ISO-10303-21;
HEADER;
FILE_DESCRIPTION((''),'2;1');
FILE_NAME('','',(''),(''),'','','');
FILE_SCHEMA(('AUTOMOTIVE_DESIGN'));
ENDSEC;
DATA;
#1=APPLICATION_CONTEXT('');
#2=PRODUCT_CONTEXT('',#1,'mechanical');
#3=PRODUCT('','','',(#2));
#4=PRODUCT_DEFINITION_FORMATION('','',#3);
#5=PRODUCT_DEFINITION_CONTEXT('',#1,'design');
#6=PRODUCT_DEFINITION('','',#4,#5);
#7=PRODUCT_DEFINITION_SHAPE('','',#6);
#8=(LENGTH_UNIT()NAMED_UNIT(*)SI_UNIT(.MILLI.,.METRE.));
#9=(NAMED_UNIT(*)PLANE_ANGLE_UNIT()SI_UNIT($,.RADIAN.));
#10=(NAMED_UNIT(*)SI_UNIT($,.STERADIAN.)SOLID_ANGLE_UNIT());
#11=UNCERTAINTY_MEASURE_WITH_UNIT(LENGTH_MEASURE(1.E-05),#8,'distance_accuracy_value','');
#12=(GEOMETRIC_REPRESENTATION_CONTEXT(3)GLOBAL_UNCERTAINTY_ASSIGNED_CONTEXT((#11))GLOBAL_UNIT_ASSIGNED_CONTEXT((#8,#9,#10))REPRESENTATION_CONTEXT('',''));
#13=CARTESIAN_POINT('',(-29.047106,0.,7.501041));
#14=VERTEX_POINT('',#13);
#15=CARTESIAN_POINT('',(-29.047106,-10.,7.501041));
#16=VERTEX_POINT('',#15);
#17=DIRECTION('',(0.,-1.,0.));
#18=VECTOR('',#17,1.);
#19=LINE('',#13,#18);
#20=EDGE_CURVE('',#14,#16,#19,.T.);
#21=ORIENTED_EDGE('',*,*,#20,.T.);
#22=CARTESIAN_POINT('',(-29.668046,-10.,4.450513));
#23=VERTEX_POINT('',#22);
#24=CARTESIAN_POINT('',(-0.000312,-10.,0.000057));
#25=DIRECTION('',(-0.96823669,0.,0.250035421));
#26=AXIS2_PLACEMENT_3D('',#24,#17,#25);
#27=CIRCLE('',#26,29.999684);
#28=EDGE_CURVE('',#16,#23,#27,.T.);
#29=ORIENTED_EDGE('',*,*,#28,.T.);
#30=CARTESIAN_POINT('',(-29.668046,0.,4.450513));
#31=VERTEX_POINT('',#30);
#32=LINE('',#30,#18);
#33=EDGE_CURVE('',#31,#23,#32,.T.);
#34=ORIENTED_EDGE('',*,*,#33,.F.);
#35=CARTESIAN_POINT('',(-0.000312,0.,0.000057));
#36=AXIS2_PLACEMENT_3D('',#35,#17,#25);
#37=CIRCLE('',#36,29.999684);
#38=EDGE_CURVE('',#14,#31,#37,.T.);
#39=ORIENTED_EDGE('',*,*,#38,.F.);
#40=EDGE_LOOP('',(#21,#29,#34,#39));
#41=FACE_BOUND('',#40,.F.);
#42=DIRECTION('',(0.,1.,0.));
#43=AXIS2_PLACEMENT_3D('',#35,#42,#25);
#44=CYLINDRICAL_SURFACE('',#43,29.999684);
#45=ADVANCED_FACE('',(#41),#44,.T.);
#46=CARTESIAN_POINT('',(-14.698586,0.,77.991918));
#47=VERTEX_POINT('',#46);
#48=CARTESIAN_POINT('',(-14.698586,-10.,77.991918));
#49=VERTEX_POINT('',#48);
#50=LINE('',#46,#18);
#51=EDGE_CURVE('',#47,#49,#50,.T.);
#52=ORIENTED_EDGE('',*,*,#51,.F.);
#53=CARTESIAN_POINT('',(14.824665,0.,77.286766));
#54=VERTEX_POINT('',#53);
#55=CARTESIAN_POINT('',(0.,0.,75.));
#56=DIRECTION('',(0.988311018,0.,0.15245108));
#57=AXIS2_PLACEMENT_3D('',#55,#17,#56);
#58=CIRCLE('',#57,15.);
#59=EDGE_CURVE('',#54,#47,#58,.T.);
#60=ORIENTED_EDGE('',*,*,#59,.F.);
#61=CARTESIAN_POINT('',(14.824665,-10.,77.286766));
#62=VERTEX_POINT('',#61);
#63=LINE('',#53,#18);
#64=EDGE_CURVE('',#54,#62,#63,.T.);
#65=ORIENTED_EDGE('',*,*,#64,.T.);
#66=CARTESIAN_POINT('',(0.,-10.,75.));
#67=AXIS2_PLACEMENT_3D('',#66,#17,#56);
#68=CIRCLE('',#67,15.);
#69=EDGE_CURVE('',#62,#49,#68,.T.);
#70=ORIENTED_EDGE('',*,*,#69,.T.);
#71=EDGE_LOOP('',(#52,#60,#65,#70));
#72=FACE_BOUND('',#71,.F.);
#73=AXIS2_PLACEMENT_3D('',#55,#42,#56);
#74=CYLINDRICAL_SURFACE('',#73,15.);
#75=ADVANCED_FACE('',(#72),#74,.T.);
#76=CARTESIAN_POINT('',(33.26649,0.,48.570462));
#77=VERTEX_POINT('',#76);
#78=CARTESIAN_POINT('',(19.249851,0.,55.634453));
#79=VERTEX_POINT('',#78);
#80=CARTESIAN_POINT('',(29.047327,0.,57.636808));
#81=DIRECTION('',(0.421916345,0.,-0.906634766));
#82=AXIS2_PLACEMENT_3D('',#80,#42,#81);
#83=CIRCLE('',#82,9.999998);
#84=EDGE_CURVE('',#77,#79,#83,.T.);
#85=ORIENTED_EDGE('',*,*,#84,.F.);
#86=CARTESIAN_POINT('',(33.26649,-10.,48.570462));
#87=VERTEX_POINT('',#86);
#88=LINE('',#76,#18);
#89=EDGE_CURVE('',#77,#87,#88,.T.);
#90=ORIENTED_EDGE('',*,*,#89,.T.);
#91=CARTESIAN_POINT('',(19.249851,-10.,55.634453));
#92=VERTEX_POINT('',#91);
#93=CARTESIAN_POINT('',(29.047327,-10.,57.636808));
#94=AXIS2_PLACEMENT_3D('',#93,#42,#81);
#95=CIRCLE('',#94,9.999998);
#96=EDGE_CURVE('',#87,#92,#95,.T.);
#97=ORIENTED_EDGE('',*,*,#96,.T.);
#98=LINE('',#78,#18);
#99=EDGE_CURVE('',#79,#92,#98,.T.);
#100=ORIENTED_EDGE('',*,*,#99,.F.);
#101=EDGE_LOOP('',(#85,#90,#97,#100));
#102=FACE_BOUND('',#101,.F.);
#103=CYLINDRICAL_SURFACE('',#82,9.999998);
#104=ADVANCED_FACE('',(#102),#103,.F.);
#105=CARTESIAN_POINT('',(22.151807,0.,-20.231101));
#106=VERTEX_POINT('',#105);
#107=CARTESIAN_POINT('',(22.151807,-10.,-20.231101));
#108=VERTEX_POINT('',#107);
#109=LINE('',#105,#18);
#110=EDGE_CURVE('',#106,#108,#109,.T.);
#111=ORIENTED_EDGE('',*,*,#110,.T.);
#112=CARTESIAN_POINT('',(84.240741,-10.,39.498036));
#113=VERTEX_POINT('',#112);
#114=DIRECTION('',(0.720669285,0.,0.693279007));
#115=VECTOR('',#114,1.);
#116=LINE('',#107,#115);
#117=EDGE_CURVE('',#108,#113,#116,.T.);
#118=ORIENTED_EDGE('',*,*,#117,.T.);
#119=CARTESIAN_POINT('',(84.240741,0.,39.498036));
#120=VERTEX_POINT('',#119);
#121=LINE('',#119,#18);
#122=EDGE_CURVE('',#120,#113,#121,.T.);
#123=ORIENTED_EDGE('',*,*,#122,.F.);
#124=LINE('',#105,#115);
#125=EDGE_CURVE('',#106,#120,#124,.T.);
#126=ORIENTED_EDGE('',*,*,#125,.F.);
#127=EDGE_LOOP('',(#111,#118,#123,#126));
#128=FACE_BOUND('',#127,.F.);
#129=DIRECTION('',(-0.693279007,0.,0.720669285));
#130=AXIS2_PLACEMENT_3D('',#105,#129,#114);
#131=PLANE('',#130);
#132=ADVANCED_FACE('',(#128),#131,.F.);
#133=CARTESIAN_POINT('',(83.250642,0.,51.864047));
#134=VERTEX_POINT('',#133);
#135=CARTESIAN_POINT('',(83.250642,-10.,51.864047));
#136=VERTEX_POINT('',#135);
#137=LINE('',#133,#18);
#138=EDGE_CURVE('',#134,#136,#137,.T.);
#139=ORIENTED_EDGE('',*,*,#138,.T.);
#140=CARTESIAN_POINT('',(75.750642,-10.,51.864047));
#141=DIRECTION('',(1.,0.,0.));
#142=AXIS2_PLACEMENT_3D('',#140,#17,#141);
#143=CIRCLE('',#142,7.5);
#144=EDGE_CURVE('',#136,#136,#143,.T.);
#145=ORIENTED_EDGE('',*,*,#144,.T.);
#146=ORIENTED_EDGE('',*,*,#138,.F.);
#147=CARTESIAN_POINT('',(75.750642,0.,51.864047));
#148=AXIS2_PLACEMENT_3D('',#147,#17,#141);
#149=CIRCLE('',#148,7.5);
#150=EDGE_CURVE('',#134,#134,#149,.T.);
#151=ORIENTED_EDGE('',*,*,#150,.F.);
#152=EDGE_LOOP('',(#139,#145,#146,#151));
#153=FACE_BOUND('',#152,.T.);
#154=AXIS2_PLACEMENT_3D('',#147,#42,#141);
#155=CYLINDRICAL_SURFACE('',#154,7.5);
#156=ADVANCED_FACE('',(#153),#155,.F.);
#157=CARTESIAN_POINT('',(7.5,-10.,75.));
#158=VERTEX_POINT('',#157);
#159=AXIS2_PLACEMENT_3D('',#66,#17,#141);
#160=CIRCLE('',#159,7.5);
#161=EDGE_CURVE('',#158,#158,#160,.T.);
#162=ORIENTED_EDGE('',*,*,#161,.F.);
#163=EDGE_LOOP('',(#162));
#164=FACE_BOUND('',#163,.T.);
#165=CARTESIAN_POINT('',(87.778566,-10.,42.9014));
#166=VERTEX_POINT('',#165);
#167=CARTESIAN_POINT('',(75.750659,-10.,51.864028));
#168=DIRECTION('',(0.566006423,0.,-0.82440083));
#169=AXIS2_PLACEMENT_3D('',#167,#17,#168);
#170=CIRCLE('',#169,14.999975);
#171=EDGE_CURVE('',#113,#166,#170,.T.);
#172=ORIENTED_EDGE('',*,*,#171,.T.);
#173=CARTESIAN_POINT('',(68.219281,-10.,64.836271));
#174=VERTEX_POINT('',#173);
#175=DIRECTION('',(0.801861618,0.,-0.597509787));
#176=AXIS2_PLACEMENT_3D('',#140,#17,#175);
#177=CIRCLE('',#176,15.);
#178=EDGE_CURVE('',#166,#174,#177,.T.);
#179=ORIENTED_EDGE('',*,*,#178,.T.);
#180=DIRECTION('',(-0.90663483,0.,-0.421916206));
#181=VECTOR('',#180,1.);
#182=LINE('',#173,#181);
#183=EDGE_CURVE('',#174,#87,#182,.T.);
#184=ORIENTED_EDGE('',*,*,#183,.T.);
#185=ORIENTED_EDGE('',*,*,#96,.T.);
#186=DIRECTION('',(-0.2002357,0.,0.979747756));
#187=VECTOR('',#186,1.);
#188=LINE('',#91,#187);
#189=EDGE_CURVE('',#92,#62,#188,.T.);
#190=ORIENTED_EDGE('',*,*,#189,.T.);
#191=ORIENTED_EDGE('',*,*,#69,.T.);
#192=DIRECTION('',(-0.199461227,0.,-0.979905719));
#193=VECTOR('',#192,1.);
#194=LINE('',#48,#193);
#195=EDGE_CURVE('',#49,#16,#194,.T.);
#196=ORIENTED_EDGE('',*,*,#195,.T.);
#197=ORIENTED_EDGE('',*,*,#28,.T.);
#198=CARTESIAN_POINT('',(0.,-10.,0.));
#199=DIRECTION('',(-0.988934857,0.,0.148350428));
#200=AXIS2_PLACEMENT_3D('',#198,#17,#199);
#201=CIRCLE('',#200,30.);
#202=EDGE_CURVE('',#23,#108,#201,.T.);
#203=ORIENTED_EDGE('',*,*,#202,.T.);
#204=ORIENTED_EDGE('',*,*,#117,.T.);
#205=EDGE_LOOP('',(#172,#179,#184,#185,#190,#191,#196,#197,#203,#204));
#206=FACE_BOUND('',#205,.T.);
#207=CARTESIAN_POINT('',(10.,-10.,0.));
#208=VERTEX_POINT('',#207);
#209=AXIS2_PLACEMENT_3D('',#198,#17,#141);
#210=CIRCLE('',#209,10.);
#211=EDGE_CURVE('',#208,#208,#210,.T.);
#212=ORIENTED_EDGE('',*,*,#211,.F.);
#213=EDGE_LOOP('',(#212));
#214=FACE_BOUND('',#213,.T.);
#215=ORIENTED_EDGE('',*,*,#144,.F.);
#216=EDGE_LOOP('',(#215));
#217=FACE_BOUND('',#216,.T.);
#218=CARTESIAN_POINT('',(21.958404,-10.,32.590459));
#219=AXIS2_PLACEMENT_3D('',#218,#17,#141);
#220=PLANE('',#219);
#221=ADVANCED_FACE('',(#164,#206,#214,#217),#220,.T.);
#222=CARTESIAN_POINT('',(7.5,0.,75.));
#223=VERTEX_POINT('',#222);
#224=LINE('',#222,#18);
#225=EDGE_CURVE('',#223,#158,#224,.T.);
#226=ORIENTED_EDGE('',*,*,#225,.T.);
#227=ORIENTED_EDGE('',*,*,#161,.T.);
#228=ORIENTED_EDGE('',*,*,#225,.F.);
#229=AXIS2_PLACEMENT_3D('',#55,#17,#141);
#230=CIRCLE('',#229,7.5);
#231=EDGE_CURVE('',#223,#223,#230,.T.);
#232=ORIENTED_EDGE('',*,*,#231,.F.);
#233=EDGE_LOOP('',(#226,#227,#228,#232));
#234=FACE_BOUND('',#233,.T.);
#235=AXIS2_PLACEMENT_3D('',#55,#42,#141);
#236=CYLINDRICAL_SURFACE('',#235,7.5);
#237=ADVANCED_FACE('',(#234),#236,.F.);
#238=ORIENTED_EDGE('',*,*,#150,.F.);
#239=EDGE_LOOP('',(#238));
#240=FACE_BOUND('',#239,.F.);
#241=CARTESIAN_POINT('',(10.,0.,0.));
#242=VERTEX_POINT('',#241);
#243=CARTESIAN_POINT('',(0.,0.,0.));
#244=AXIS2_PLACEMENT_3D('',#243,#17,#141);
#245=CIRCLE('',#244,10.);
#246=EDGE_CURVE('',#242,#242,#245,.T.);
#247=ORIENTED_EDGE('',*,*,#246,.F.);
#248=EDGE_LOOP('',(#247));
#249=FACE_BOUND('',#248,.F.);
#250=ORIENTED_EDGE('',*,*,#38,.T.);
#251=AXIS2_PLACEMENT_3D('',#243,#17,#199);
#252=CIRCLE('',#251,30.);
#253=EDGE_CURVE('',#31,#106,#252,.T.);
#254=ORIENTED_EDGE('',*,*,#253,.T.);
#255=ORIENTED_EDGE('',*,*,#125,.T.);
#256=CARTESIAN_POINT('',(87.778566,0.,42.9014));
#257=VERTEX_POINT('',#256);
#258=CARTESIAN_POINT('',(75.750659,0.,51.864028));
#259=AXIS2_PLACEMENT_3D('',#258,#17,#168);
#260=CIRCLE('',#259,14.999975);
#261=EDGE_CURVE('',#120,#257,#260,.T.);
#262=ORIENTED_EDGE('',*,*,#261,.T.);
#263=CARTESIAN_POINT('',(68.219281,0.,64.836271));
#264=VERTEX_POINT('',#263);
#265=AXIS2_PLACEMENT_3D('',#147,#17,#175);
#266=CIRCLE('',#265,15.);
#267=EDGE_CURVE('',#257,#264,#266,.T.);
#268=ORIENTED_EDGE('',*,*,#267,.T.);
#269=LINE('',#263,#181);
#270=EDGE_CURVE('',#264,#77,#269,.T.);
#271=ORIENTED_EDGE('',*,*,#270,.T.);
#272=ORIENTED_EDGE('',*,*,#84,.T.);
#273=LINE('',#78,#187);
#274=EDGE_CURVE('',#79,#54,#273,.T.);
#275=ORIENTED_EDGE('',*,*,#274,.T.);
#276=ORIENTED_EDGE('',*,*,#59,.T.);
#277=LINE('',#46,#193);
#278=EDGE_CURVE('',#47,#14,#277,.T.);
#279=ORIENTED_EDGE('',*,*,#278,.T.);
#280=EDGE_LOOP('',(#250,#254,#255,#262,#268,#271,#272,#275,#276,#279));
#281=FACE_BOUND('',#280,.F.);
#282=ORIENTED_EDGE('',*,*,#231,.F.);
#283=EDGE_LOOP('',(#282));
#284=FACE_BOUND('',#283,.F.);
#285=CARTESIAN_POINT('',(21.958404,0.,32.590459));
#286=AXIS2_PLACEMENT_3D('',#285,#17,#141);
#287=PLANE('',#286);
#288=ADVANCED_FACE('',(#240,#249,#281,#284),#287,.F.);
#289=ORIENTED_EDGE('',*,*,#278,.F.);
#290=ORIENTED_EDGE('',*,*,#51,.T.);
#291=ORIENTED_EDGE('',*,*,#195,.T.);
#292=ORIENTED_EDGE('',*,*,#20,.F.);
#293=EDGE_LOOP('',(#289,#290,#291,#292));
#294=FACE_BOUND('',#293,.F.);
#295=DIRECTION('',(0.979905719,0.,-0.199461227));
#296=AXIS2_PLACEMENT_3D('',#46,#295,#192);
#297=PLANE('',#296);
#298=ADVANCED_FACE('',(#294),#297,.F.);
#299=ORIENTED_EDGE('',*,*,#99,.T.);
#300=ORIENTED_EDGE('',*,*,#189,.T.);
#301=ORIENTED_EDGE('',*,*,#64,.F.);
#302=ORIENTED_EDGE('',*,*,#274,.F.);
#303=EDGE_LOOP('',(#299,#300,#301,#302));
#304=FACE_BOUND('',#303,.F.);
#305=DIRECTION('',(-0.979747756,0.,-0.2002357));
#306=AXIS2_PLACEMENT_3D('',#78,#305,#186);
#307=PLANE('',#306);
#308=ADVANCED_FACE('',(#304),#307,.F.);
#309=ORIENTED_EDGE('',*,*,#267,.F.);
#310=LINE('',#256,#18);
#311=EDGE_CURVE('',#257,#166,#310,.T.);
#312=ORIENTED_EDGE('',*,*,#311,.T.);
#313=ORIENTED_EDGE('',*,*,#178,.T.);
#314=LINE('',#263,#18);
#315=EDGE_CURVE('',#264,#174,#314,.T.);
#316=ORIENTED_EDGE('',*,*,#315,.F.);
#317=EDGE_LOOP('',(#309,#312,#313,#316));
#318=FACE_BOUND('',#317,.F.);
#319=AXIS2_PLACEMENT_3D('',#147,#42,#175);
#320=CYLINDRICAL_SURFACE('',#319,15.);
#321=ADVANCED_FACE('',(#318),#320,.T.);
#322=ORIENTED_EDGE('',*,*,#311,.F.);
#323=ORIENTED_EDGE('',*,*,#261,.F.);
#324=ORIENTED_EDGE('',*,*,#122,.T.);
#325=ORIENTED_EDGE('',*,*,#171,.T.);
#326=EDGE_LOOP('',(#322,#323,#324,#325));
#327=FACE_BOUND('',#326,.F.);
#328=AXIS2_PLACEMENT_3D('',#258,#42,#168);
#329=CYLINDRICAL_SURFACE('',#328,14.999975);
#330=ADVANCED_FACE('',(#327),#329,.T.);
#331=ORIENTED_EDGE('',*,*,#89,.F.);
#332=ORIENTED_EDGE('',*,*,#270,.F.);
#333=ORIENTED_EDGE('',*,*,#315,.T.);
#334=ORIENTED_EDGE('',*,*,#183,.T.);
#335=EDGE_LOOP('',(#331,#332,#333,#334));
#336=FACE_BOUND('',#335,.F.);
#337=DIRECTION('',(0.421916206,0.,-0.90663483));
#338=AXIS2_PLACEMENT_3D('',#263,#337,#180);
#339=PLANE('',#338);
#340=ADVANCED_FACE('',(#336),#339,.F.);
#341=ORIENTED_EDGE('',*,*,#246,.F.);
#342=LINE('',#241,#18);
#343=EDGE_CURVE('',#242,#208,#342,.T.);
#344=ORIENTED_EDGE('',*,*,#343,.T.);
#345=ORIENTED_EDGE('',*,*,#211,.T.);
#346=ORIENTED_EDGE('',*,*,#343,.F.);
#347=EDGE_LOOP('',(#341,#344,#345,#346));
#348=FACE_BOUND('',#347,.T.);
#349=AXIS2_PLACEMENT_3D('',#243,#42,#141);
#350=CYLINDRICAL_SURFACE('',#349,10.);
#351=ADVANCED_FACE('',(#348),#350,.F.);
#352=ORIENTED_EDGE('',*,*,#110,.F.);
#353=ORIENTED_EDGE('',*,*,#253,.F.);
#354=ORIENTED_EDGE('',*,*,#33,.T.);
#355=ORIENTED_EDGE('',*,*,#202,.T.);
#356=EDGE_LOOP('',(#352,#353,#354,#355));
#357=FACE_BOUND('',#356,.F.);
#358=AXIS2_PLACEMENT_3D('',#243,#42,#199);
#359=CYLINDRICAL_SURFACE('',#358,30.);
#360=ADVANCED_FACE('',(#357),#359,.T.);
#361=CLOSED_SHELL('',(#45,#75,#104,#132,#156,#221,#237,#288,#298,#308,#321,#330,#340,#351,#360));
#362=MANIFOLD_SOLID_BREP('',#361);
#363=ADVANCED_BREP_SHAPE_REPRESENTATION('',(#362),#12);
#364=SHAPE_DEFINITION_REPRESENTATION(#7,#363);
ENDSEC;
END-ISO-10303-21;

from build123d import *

# Parameters (mm, degrees)
F0_R     = 10
F0_R_2   = 7.5
F1_DEPTH = 10


with BuildPart() as f1:
    # F0 (on Front) → F1 (new body)
    with BuildSketch(Plane.XZ):
        with BuildLine():
            Line((19.249851, 55.634453), (14.824665, 77.286766))
            ThreePointArc((14.824665, 77.286766), (0.358168, 89.995723), (-14.698586, 77.991918))
            Line((-14.698586, 77.991918), (-29.047106, 7.501041))
            Line((-29.047106, 7.501041), (-29.668046, 4.450513))
            ThreePointArc((-29.668046, 4.450513), (-12.900348, -27.084701), (22.151807, -20.231101))
            Line((22.151807, -20.231101), (84.240741, 39.498036))
            Line((84.240741, 39.498036), (87.778566, 42.9014))
            ThreePointArc((87.778566, 42.9014), (86.94615, 61.847062), (68.219281, 64.836271))
            Line((68.219281, 64.836271), (33.26649, 48.570462))
            ThreePointArc((33.26649, 48.570462), (24.54684, 48.70677), (19.249851, 55.634453))
        make_face()
        Circle(F0_R, mode=Mode.SUBTRACT)
        with Locations((0, 75)):
            Circle(F0_R_2, mode=Mode.SUBTRACT)
        with Locations((75.750642, 51.864047)):
            Circle(F0_R_2, mode=Mode.SUBTRACT)
        with BuildLine():
            Line((-29.668046, 4.450513), (-29.047106, 7.501041))
            ThreePointArc((-29.047106, 7.501041), (-29.397172, 5.983837), (-29.668046, 4.450513))
        make_face()
        with BuildLine():
            ThreePointArc((84.240741, 39.498036), (86.149827, 41.054007), (87.778566, 42.9014))
            Line((87.778566, 42.9014), (84.240741, 39.498036))
        make_face()
    extrude(amount=F1_DEPTH)


solid = f1.part
